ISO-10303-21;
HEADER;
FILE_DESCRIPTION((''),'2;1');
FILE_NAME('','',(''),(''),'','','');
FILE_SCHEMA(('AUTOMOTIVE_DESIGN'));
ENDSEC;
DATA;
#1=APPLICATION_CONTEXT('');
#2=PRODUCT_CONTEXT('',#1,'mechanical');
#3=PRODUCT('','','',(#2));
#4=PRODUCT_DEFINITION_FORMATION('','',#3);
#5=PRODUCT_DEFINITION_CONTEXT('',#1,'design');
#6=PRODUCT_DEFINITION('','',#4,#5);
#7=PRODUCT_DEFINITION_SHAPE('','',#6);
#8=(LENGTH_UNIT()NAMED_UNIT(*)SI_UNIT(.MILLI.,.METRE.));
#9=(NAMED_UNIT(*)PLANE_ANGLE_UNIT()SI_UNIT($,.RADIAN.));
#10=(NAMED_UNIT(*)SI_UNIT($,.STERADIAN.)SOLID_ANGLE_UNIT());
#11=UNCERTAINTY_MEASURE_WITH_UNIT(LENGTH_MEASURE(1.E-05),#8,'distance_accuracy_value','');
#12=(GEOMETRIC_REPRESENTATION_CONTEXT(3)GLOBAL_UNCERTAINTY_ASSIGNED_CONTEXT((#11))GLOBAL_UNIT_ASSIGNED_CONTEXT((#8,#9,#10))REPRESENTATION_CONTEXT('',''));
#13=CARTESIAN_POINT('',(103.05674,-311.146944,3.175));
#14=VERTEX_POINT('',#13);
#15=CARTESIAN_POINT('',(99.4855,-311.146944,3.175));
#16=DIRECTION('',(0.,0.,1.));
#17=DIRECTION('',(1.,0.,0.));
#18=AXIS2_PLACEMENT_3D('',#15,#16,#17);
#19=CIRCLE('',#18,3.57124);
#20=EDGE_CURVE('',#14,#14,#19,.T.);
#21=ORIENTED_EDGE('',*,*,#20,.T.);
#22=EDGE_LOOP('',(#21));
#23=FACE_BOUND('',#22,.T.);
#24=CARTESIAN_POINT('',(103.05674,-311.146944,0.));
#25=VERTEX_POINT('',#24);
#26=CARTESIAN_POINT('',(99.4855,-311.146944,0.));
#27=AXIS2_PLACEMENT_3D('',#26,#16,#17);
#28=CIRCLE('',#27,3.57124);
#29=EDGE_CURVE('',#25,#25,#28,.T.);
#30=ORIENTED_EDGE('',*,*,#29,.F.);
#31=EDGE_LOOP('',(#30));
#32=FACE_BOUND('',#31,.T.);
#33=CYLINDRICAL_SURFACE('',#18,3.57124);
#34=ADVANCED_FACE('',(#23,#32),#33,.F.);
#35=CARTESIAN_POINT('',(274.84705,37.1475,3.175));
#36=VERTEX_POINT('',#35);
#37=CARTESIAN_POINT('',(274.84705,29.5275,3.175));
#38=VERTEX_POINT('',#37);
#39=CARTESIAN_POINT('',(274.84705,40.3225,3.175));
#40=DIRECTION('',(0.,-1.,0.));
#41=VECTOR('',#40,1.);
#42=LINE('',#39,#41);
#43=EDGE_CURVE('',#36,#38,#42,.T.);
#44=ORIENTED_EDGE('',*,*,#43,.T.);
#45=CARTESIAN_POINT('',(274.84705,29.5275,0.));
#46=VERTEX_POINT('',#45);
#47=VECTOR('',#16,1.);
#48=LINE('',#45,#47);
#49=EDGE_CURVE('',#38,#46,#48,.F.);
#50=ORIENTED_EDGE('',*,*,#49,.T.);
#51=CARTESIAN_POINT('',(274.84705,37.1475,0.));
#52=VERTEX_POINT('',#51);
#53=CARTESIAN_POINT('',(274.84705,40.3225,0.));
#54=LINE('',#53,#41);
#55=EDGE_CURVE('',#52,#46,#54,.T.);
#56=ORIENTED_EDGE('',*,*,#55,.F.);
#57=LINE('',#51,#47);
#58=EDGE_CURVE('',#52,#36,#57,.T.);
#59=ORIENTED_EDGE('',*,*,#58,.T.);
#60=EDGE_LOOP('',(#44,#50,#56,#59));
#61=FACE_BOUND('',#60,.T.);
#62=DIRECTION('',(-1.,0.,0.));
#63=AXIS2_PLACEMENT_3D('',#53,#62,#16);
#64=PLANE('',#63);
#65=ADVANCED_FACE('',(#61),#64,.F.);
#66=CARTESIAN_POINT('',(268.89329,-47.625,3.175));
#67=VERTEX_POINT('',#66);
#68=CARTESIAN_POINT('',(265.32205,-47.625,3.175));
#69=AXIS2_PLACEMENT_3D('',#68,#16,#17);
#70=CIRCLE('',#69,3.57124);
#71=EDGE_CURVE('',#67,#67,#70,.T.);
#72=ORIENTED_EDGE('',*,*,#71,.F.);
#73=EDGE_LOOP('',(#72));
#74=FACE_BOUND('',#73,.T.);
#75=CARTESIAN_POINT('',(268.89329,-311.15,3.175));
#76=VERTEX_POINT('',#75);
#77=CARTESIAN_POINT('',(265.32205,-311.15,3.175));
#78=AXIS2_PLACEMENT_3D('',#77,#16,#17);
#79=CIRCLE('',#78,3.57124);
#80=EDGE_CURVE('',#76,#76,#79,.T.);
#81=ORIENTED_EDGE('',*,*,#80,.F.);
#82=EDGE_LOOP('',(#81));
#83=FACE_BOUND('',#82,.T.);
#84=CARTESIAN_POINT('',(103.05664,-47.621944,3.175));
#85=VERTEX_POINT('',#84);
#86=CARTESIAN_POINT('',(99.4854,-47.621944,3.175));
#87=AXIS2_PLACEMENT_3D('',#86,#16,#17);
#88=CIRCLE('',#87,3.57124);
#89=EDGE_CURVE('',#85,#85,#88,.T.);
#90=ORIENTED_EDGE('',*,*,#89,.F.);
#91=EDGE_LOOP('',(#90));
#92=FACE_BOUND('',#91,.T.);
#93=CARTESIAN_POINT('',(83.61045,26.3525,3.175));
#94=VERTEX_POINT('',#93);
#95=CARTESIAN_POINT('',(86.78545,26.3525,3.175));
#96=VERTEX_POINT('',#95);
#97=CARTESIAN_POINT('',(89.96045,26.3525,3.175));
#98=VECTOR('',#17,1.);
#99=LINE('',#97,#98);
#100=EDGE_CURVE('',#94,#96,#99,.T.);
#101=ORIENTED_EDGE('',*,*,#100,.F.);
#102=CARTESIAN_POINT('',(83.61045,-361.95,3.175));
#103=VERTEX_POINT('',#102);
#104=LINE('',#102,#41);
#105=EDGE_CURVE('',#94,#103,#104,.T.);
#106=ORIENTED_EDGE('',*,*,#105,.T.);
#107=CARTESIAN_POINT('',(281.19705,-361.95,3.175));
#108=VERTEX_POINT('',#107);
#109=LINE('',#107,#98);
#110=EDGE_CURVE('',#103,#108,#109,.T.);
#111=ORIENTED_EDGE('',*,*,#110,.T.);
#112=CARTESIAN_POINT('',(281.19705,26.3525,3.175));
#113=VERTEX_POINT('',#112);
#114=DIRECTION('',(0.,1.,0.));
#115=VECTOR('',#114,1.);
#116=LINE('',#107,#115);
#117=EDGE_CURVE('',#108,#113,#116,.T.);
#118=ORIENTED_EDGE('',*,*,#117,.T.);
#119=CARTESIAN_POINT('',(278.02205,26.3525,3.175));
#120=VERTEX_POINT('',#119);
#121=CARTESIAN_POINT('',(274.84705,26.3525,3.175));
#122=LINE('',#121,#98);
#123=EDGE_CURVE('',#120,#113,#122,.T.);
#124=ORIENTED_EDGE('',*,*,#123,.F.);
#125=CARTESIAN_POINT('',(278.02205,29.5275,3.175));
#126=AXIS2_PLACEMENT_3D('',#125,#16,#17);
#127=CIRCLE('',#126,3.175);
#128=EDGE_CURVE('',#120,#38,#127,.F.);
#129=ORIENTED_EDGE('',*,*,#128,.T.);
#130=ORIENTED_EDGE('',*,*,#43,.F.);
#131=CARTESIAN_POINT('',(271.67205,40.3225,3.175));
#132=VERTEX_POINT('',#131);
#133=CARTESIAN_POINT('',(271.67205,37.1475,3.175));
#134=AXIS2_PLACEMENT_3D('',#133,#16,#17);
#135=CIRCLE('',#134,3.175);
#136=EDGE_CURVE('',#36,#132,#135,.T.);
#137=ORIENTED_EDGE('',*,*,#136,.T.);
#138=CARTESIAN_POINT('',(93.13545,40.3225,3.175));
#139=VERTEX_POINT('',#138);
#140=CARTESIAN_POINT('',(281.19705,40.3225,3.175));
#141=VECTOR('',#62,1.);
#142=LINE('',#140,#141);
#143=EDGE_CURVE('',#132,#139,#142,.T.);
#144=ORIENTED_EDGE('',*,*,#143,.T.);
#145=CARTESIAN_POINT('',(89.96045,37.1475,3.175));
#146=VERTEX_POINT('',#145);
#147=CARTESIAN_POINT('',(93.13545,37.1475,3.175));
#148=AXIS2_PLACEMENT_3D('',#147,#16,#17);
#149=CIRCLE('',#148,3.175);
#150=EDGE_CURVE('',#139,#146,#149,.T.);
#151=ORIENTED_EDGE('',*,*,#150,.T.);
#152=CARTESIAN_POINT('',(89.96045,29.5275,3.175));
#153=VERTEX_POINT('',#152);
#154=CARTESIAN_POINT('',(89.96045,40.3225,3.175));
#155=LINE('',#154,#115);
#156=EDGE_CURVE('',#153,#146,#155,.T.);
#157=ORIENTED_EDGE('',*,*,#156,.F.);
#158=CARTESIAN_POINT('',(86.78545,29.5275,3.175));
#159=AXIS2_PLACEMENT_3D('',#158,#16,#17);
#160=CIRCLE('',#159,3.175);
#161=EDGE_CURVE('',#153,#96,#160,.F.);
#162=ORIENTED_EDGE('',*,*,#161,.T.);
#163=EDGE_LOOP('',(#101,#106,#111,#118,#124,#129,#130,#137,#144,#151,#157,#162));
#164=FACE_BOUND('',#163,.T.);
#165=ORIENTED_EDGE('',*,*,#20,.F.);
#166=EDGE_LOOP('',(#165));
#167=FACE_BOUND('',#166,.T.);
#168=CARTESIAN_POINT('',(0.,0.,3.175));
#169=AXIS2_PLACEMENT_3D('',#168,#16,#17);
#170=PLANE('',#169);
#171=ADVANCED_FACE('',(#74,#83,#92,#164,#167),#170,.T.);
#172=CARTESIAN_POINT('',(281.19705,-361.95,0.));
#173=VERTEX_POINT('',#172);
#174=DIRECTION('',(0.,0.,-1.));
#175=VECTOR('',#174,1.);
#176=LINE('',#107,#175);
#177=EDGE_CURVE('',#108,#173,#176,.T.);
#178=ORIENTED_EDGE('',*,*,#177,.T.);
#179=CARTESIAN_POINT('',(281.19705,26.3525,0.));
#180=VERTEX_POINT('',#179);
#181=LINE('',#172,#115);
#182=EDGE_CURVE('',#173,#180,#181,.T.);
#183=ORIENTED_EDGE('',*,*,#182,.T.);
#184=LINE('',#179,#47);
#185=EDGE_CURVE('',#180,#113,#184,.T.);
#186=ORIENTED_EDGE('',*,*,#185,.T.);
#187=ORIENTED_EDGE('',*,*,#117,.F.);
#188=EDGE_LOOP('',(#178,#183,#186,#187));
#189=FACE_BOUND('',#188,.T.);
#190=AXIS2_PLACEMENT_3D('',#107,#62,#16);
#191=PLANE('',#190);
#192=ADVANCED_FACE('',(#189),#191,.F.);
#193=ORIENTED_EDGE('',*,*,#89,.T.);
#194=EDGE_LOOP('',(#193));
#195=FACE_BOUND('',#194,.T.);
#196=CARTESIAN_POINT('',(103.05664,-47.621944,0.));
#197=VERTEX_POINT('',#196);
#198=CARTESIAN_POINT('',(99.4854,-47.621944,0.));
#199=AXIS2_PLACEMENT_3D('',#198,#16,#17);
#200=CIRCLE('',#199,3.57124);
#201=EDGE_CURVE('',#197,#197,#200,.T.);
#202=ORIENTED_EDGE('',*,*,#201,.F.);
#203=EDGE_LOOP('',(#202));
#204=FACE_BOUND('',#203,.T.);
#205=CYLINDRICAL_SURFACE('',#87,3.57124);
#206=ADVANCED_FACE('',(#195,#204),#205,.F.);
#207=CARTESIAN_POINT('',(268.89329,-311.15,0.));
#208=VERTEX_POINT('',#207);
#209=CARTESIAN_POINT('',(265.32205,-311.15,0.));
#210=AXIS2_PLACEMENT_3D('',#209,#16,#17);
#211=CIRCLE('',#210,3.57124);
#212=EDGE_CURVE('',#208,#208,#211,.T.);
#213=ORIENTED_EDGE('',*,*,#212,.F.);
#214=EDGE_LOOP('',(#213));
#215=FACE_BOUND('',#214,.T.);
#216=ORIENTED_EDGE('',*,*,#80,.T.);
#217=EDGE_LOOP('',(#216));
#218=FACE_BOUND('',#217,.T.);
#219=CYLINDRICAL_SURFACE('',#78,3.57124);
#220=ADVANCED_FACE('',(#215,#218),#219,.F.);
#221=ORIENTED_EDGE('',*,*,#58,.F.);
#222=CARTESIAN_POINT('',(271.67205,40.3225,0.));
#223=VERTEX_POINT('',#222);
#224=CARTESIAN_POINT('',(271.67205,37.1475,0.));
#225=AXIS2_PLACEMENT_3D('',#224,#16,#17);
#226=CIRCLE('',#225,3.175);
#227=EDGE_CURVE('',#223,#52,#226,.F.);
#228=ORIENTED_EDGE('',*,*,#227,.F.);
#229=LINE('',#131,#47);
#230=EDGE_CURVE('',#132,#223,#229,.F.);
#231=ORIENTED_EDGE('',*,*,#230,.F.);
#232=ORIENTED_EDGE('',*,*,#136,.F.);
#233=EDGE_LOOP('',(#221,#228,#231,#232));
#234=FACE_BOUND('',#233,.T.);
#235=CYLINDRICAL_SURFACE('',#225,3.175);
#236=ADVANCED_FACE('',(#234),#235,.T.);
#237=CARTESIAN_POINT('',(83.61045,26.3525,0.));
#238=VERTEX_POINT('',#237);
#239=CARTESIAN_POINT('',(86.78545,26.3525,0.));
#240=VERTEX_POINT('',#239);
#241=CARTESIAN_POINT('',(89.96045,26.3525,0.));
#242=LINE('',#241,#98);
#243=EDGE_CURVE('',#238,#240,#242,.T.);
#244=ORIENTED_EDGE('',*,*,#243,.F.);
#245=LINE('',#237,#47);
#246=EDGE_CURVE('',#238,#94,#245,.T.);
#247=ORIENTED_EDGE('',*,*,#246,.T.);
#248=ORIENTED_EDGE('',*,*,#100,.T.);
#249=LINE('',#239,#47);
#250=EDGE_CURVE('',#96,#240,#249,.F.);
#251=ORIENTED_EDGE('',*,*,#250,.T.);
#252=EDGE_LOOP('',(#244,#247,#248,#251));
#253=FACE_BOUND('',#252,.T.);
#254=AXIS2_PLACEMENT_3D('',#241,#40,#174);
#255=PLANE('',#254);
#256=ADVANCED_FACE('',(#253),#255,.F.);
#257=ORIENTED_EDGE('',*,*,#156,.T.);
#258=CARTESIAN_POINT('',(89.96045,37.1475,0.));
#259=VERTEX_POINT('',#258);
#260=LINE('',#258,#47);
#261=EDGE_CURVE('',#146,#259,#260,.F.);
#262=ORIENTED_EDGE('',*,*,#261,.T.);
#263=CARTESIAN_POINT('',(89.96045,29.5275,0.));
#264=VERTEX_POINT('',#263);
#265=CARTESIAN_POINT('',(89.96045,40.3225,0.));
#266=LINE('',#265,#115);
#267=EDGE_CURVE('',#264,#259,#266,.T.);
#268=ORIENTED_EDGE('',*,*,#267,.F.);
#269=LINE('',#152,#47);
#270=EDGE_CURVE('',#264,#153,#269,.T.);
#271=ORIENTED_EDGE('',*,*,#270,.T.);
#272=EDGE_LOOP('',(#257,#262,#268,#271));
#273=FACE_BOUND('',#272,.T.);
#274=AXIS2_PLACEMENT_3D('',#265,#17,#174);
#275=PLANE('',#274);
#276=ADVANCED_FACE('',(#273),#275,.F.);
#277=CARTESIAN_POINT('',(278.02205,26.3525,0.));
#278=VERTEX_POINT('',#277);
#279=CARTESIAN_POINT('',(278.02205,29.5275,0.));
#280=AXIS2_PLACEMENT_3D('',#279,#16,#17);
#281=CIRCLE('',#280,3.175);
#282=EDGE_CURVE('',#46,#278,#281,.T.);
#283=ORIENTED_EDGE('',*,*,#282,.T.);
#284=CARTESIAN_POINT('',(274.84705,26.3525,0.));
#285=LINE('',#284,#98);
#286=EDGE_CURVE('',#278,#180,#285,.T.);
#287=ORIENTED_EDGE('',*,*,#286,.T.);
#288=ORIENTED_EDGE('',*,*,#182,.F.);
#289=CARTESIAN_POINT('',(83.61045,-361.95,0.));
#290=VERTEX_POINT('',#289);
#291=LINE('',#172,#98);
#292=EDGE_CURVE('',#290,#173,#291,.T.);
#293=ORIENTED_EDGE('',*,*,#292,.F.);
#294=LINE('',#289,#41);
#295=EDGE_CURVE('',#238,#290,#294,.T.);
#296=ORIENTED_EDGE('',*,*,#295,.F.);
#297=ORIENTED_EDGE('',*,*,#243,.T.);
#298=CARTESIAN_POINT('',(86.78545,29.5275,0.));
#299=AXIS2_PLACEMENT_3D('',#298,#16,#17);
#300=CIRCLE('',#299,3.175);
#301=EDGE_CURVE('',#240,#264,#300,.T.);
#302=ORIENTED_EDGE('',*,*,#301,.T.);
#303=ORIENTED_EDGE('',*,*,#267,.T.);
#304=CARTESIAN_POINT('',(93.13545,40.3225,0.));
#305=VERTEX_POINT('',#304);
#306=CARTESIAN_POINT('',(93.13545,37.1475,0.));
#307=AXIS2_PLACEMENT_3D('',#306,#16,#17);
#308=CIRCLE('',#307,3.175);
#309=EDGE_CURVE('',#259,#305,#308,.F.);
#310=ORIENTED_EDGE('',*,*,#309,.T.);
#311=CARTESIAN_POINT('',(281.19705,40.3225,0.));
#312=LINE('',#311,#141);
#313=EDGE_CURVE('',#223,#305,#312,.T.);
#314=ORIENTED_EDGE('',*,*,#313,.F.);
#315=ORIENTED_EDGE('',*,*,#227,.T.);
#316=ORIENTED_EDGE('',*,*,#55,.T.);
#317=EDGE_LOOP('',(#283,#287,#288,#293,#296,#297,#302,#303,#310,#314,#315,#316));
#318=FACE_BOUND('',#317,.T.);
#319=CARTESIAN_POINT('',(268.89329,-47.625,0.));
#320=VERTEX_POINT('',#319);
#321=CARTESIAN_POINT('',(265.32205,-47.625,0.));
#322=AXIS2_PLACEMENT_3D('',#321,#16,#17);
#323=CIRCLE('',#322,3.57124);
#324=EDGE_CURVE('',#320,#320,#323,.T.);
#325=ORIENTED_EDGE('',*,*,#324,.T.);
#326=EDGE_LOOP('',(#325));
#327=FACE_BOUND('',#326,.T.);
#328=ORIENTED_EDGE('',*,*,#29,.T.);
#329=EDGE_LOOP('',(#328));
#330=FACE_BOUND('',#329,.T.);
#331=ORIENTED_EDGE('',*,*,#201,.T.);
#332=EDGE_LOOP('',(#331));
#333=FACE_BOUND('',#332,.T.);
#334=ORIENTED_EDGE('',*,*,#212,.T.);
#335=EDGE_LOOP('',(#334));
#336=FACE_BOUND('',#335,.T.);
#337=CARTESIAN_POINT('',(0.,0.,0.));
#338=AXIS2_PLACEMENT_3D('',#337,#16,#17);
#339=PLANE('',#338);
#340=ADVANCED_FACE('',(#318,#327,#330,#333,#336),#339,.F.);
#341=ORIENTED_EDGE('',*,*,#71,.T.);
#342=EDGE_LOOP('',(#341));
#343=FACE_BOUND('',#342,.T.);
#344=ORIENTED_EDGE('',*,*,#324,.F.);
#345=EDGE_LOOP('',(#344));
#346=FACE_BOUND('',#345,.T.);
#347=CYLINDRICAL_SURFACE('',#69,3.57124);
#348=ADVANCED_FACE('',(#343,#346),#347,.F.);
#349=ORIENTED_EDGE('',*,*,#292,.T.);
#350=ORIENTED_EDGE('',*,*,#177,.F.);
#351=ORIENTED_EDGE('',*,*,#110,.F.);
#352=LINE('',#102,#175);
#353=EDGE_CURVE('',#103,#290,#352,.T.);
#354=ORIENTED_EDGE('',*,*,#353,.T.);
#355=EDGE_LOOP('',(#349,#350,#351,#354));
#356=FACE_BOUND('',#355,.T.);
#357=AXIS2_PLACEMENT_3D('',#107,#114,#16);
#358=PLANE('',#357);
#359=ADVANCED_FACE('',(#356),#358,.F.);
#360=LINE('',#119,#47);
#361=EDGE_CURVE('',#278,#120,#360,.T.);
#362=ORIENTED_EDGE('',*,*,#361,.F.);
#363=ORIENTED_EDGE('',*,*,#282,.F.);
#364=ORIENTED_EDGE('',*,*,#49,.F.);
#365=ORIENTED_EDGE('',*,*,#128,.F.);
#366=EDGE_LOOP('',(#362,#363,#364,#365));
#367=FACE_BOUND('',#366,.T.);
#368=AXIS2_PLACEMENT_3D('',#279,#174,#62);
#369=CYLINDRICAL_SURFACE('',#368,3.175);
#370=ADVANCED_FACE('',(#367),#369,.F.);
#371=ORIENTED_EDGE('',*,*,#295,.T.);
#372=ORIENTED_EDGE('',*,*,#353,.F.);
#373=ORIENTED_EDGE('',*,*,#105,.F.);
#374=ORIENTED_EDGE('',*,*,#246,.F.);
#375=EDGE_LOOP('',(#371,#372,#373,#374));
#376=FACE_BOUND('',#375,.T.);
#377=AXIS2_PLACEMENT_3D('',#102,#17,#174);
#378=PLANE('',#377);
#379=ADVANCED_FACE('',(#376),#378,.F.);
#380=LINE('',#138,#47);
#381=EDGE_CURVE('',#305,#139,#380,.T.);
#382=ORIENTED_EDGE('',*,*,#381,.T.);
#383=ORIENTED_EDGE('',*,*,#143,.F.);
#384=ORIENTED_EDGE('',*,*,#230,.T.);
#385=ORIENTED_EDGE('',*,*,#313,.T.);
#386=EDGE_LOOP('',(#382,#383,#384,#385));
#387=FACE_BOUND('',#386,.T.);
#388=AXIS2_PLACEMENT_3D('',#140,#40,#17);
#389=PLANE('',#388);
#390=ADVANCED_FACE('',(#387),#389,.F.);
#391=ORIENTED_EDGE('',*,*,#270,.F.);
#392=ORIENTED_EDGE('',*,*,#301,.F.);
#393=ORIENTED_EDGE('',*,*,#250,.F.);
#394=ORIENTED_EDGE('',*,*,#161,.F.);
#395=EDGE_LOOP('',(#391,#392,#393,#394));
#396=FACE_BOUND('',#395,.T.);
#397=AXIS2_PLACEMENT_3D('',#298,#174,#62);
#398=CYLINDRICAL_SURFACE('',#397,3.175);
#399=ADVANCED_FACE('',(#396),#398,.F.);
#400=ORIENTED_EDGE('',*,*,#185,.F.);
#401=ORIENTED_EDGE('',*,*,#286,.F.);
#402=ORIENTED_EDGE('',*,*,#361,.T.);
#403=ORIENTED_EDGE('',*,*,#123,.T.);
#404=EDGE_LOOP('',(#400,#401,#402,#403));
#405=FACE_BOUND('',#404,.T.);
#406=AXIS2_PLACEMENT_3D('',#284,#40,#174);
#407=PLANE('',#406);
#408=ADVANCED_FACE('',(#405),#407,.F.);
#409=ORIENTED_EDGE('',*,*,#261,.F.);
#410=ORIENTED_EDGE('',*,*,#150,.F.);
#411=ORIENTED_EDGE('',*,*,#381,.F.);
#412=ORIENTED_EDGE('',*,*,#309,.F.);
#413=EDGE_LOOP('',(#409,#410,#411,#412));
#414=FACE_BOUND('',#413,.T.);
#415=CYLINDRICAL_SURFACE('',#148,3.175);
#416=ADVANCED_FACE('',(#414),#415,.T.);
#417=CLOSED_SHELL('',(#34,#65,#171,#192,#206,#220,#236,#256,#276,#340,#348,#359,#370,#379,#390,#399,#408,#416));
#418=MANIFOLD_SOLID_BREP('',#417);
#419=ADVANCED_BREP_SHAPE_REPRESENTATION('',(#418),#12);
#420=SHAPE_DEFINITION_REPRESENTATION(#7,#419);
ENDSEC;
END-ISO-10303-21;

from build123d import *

# Parameters (mm, degrees)
SKETCH1_W                   = 197.5866
SKETCH1_H                   = 402.272499995
BOSS_EXTRUDE1_DEPTH         = 3.175
SKETCH3_W                   = 6.35
SKETCH3_H                   = 13.97
CUT_EXTRUDE1_DEPTH          = 4.175
FILLET1_R                   = 3.175
F_1_4_CLEARANCE_HOLE1_D     = 7.14248
F_1_4_CLEARANCE_HOLE1_DEPTH = 3.175


with BuildPart() as part:
    # Sketch1 → Boss-Extrude1 (new body)
    with BuildSketch(Plane.XY):
        with Locations((182.40375, -160.813750003)):
            Rectangle(SKETCH1_W, SKETCH1_H)
    extrude(amount=BOSS_EXTRUDE1_DEPTH)

    # Sketch3 → Cut-Extrude1 (cut, through all)
    with BuildSketch(Plane.XY.offset(3.175)):
        with Locations((86.78545, 33.337499995)):
            Rectangle(SKETCH3_W, SKETCH3_H)
        with Locations((278.02205, 33.337499995)):
            Rectangle(SKETCH3_W, SKETCH3_H)
    extrude(amount=-CUT_EXTRUDE1_DEPTH, mode=Mode.SUBTRACT)

    # Fillet1
    fillet1_edges = [part.edges().sort_by_distance(p)[0] for p in [
        (89.96045, 40.322499995, 1.5875),
        (89.96045, 26.352499995, 1.5875),
        (274.84705, 26.352499995, 1.5875),
        (274.84705, 40.322499995, 1.5875),
    ]]
    fillet(fillet1_edges, radius=FILLET1_R)

    # 1/4 Clearance Hole1
    with Locations(Plane.XY.offset(3.175)):
        with Locations((99.485400307, -47.621943918), (265.32205, -47.625), (265.32205, -311.15), (99.485499692, -311.146943918)):
            Hole(F_1_4_CLEARANCE_HOLE1_D / 2, depth=F_1_4_CLEARANCE_HOLE1_DEPTH)


solid = part.part
